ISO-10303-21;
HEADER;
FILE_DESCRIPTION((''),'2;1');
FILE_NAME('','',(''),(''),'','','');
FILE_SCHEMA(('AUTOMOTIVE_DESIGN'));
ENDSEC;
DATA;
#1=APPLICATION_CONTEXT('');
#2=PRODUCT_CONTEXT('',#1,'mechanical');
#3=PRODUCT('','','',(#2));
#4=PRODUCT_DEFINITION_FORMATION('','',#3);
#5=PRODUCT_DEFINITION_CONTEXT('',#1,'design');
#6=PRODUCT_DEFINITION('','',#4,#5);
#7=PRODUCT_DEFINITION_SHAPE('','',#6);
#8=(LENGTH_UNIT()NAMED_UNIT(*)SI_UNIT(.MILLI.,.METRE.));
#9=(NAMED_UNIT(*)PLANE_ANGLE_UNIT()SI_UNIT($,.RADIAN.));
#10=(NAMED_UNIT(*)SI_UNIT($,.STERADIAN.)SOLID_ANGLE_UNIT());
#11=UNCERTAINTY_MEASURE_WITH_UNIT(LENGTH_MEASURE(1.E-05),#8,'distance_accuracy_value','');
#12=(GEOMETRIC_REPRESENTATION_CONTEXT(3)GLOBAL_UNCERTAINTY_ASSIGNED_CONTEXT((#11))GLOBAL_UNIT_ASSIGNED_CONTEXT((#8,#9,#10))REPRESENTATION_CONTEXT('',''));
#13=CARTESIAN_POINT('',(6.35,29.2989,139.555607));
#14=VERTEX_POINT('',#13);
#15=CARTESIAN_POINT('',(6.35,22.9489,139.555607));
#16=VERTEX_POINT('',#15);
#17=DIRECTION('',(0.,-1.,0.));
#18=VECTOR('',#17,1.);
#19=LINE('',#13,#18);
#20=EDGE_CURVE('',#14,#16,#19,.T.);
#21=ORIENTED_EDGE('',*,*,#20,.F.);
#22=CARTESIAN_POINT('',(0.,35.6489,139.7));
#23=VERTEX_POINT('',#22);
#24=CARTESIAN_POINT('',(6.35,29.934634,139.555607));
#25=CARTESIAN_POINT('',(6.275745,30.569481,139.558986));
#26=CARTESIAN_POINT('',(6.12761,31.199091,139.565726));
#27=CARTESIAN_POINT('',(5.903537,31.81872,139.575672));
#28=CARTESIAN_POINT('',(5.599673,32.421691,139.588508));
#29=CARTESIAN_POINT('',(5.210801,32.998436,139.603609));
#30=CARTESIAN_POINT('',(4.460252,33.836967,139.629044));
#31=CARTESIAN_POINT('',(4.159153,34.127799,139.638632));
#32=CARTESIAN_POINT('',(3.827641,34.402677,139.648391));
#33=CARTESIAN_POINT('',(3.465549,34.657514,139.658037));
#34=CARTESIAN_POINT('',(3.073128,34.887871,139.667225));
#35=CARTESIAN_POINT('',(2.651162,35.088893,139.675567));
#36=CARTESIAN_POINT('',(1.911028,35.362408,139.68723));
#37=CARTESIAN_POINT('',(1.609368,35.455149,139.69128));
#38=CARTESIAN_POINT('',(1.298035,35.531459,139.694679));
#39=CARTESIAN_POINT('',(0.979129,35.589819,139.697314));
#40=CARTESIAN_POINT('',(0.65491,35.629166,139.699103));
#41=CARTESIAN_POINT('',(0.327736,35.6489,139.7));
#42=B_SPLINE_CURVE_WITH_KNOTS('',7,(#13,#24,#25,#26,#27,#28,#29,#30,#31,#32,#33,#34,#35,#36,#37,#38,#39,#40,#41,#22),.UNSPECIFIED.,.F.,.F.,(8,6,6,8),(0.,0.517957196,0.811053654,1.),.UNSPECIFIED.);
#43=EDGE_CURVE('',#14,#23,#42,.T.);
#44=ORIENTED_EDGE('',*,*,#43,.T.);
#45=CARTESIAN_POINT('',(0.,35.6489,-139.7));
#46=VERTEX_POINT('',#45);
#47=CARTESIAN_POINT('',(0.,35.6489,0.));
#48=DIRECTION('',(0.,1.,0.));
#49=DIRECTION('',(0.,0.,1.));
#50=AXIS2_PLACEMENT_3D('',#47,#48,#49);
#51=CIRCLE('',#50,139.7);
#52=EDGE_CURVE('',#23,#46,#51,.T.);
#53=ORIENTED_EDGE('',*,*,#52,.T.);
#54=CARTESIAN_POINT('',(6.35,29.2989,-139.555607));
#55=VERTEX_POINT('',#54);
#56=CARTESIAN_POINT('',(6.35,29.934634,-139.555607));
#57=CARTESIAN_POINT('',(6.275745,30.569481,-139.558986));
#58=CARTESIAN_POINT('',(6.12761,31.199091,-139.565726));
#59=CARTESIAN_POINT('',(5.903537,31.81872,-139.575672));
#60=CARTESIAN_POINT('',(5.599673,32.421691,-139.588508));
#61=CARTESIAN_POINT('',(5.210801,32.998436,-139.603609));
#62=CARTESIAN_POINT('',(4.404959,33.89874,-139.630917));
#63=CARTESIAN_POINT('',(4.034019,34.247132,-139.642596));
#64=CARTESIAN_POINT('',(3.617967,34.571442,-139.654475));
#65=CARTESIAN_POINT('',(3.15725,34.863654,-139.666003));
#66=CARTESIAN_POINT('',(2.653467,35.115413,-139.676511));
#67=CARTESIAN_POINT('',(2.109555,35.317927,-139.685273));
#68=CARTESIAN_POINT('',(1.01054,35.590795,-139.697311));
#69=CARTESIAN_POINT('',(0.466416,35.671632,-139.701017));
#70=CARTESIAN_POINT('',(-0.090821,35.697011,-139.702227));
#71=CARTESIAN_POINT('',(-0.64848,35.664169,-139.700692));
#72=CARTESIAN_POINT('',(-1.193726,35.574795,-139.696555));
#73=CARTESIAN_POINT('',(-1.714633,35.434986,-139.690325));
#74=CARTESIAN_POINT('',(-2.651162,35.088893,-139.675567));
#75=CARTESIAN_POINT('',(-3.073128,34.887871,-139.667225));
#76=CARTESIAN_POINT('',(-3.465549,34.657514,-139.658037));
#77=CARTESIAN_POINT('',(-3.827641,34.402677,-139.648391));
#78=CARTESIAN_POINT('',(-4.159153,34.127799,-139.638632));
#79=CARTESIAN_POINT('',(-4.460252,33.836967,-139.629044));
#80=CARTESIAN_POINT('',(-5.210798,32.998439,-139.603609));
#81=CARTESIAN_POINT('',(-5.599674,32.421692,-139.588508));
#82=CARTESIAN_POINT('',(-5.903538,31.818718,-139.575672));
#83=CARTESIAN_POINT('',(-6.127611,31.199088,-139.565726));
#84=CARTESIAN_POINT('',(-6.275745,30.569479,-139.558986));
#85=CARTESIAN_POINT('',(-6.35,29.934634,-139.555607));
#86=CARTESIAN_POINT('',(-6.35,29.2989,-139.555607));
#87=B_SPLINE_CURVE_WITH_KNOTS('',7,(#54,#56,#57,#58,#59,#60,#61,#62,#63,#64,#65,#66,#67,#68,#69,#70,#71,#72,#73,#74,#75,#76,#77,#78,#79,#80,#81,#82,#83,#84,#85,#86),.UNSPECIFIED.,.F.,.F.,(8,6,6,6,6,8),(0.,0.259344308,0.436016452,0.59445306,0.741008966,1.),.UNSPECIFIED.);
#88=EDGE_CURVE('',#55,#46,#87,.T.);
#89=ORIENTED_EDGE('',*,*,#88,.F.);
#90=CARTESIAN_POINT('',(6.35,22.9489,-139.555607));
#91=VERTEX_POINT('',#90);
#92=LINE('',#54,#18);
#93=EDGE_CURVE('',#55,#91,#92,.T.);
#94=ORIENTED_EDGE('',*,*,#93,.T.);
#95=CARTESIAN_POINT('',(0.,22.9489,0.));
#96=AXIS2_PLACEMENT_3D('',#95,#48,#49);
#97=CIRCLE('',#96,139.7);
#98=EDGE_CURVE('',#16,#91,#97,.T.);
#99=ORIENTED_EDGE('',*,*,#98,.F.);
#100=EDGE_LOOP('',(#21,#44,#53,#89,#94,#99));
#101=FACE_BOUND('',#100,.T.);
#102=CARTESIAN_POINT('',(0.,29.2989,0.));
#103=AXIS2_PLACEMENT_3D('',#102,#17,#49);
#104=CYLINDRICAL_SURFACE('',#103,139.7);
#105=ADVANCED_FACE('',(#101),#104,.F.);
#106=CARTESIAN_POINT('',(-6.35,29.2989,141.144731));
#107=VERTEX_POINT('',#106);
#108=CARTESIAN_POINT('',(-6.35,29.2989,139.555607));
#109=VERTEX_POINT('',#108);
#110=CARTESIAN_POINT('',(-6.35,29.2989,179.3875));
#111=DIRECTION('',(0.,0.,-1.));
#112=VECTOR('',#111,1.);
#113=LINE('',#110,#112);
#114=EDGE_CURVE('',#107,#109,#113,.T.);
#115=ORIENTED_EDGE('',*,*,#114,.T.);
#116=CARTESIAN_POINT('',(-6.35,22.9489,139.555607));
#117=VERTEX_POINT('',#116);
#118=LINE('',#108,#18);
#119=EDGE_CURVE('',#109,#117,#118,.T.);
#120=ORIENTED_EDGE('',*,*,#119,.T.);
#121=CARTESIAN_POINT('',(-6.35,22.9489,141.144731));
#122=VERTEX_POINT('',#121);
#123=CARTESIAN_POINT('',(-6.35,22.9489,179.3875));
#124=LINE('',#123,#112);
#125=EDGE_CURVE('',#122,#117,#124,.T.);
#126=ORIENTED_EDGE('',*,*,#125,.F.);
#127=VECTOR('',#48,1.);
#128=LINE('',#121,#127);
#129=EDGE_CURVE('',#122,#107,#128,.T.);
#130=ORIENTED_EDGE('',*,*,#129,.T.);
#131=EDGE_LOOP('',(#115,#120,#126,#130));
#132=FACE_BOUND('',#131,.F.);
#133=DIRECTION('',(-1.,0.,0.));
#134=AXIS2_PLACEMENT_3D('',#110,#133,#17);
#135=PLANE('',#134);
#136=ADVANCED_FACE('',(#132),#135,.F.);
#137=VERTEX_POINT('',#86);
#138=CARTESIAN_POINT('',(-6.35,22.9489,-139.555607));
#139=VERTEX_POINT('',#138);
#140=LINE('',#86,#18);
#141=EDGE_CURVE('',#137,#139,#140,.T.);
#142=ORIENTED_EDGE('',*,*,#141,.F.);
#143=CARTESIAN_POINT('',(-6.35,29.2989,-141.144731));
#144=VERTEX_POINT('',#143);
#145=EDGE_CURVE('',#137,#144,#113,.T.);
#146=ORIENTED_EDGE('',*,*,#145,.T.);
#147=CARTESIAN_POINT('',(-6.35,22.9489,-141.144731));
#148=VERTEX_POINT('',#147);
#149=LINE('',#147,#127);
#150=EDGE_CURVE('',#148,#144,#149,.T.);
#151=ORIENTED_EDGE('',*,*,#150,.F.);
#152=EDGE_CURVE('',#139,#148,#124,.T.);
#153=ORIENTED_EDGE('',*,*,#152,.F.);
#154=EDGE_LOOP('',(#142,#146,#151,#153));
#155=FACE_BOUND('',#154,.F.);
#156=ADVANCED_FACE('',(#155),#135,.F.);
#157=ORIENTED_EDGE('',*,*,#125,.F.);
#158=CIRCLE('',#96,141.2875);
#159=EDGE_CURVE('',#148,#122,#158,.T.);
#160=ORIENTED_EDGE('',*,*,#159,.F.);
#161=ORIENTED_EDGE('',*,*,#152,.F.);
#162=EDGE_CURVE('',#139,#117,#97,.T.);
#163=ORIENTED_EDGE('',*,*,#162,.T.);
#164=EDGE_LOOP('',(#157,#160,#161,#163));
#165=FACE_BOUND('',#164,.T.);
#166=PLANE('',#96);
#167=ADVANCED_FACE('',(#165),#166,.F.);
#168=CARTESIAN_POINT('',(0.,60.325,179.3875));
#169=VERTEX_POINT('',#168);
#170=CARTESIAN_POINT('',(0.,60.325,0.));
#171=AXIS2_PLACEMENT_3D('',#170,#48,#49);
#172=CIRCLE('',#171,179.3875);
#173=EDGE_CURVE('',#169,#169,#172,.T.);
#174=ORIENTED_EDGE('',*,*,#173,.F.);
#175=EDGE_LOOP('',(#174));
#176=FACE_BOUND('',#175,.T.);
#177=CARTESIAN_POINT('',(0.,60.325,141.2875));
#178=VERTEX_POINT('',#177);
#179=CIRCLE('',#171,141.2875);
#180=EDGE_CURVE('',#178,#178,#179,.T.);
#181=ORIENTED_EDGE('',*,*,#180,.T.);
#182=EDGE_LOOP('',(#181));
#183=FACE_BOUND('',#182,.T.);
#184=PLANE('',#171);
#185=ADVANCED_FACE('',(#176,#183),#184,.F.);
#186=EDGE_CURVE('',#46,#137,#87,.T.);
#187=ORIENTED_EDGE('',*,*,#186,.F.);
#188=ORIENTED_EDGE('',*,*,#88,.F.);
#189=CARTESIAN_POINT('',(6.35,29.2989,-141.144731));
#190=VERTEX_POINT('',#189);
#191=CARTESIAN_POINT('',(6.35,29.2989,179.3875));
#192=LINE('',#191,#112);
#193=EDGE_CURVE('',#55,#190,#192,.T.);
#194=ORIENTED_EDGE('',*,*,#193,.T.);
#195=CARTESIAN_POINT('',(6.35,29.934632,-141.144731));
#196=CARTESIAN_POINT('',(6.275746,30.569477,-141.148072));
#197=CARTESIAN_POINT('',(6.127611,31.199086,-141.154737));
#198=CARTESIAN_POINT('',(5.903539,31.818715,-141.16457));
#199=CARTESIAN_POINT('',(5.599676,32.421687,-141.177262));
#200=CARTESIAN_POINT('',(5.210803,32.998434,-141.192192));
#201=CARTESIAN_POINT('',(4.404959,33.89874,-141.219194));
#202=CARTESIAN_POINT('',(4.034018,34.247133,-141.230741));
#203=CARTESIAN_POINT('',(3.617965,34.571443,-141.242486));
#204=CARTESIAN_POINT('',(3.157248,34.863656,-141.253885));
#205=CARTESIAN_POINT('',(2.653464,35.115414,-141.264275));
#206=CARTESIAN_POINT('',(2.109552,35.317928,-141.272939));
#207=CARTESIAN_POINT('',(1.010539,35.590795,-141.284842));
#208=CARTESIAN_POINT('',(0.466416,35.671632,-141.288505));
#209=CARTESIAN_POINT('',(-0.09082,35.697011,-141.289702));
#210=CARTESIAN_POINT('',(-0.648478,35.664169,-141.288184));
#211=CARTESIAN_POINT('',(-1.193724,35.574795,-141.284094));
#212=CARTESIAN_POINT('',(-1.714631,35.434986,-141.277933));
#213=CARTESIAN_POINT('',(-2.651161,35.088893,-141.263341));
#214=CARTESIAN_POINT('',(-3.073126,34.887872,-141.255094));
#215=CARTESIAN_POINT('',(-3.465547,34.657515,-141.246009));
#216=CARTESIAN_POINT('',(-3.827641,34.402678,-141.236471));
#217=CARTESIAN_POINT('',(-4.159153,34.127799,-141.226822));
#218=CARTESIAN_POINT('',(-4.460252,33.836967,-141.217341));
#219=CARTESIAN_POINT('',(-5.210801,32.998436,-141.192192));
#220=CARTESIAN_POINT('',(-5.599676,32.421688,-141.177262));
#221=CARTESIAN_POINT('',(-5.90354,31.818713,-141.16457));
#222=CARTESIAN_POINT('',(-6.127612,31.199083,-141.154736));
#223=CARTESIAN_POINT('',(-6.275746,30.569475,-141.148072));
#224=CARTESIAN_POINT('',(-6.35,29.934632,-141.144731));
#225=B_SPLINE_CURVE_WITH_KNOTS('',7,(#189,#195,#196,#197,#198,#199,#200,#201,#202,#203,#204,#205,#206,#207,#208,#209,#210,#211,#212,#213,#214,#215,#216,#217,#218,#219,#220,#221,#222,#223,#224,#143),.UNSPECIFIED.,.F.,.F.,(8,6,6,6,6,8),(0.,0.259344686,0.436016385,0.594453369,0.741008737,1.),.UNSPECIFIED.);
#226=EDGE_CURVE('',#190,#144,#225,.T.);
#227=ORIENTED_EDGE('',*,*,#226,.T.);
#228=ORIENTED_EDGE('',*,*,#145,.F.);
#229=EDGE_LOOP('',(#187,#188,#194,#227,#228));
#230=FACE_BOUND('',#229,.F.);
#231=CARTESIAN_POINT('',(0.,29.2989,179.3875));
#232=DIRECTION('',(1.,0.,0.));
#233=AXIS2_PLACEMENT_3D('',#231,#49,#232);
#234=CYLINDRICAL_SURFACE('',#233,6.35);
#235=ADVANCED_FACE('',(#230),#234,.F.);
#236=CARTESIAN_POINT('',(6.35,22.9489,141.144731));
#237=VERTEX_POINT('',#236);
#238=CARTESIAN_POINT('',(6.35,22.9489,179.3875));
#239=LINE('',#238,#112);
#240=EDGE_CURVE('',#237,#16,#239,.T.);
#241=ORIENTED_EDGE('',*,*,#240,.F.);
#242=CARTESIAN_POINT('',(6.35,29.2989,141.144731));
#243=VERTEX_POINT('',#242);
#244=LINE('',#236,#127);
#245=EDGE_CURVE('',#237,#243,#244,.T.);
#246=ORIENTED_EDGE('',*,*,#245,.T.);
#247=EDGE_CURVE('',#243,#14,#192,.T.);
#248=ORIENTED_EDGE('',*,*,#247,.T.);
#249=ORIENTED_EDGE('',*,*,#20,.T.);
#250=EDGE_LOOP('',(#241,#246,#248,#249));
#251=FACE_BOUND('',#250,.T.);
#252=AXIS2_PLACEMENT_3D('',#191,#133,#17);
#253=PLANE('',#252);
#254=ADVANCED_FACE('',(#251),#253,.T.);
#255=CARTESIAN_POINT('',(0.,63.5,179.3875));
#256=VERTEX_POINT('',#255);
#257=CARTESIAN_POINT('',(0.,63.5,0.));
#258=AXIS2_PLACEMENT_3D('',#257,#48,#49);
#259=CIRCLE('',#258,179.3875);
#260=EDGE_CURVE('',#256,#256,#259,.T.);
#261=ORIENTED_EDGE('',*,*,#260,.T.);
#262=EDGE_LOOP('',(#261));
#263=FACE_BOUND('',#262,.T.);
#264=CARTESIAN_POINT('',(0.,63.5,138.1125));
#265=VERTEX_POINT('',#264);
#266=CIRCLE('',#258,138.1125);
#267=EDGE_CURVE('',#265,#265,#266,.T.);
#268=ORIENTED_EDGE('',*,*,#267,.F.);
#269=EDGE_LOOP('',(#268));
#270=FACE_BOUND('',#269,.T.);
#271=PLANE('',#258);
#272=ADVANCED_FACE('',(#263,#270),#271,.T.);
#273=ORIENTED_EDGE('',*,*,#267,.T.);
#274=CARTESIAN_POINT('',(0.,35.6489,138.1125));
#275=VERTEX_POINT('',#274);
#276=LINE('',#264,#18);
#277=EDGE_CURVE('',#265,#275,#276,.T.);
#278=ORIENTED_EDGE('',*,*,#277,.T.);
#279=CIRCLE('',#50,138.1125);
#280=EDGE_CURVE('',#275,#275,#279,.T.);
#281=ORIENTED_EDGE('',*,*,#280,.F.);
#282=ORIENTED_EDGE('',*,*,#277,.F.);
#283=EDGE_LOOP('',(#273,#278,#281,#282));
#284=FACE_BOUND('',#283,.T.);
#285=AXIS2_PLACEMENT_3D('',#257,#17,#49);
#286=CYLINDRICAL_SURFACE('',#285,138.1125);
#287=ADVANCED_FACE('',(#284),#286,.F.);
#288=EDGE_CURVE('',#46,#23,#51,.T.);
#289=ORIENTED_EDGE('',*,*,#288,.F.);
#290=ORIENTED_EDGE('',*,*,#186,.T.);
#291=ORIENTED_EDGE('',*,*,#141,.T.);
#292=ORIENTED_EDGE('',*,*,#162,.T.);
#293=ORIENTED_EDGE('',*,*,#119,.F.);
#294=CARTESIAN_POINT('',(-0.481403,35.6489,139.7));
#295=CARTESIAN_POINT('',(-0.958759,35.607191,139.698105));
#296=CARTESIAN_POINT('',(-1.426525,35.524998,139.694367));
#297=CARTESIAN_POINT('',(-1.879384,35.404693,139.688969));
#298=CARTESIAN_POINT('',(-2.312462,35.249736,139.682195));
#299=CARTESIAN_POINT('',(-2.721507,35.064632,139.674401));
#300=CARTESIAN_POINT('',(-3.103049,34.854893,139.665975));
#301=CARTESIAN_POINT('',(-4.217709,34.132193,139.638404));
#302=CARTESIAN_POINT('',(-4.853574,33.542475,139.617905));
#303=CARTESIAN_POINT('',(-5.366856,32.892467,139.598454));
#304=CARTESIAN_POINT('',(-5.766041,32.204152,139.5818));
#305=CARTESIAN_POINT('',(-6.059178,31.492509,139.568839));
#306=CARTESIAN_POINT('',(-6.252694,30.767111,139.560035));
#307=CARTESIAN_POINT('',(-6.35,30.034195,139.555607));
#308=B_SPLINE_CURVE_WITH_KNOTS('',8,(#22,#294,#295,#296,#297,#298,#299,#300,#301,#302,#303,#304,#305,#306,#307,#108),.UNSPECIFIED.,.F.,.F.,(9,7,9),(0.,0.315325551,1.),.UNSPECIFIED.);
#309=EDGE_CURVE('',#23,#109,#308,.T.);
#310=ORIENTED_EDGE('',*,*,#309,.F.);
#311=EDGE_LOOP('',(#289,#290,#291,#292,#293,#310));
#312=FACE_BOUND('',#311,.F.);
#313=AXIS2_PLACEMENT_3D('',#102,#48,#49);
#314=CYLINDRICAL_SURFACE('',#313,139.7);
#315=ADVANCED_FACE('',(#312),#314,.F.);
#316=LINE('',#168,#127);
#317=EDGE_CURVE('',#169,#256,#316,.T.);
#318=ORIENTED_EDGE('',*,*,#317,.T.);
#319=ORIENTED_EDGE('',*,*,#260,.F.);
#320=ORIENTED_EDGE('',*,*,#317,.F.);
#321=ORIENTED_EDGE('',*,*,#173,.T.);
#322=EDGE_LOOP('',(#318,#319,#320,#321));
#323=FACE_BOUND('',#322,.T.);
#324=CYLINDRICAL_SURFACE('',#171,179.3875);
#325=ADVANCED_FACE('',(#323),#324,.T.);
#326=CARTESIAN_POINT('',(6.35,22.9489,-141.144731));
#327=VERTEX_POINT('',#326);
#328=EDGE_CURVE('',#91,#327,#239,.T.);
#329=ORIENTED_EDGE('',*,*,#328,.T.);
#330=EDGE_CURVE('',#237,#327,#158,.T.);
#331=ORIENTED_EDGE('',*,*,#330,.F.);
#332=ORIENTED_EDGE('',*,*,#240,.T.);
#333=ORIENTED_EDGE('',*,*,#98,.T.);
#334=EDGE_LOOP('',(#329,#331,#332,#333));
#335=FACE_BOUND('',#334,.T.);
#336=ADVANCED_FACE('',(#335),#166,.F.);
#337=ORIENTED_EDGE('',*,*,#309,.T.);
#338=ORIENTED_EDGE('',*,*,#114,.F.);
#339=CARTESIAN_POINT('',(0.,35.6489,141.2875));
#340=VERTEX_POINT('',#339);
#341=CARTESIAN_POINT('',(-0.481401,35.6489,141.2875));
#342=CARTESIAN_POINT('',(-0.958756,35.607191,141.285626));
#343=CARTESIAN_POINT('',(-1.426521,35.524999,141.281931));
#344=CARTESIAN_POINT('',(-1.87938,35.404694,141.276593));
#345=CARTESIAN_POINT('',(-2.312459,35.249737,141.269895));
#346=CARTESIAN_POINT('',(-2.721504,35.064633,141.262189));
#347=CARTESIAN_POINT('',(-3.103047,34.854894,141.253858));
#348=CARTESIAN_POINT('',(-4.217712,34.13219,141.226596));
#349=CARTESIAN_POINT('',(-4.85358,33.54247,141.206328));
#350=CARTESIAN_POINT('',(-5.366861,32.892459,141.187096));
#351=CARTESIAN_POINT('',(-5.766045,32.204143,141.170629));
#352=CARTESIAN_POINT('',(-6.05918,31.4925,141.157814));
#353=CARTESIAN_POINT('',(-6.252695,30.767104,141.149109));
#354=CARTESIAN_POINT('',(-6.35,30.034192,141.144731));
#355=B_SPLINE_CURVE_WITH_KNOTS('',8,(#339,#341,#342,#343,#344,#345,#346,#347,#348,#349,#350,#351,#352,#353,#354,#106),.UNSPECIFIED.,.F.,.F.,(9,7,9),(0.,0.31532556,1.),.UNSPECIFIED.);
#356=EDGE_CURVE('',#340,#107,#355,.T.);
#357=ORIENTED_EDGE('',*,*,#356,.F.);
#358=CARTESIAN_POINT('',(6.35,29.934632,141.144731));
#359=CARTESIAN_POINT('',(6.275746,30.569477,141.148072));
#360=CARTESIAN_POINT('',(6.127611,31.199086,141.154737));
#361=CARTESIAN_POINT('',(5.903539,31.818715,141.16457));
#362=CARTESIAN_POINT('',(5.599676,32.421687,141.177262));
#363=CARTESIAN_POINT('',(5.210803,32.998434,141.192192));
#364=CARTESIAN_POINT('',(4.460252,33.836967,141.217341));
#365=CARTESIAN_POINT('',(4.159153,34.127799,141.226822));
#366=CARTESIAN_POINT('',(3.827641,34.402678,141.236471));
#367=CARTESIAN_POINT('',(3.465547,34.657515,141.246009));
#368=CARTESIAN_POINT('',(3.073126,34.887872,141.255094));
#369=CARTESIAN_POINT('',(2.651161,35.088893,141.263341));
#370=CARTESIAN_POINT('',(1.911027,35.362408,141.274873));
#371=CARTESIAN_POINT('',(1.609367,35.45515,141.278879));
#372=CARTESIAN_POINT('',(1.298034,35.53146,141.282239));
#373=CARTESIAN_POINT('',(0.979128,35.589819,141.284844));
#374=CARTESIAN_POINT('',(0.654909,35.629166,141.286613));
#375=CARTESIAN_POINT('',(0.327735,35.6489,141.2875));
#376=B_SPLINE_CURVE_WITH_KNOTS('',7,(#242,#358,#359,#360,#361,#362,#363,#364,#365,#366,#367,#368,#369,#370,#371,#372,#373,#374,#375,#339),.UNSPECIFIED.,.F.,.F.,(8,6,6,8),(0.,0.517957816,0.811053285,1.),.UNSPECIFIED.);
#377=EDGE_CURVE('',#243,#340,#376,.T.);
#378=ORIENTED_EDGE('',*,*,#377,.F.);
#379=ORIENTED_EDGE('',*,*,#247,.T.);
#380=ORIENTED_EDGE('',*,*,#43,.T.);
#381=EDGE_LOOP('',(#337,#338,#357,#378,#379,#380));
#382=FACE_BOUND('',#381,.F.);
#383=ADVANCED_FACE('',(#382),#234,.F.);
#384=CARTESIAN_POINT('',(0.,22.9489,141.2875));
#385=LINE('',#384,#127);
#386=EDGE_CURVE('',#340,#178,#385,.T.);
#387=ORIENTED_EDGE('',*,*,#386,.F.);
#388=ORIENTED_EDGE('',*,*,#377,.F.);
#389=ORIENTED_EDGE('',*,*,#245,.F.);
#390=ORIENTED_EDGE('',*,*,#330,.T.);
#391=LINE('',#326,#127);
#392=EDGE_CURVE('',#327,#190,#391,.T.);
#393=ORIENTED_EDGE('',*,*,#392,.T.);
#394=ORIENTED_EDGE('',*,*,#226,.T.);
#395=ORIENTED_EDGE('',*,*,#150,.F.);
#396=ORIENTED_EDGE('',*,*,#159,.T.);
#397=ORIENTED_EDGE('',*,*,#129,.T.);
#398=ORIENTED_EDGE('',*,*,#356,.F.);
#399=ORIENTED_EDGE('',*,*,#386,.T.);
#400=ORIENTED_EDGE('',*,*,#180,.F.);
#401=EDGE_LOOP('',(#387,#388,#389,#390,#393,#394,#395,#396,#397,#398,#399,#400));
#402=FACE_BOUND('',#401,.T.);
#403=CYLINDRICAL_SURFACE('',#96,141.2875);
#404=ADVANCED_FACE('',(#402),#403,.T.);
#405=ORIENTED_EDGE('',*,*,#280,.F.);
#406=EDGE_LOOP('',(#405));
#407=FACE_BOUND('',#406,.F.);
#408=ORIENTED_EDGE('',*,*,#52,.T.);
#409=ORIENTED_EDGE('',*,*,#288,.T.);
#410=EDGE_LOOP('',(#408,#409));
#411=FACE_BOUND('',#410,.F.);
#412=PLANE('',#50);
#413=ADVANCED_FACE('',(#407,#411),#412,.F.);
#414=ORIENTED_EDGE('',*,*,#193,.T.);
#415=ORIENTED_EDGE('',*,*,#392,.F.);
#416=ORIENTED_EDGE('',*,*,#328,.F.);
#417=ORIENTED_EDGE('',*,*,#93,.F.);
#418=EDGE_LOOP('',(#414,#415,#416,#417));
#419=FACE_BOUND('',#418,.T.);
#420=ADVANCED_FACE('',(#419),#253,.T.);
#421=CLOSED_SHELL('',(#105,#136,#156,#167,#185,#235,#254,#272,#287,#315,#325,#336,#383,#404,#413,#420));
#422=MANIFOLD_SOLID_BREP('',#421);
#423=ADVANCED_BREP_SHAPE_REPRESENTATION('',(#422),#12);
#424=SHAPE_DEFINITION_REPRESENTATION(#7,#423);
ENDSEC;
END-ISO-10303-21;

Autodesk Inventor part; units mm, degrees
ref_plane "YZ Plane" through (0, 0, 0) normal (1, 0, 0) x (0, 1, 0)
ref_plane "XZ Plane" through (0, 0, 0) normal (0, 1, 0) x (-1, 0, 0)
ref_plane "XY Plane" through (0, 0, 0) normal (0, 0, 1) x (1, 0, 0)
sketch "Sketch1" plane through (0, 0, 0) normal (1, 0, 0) x (0, 1, 0)
  line L0 (0, 0) -> (50.8, 0)
  line L1 (0, 138.1125) -> (26.719, 138.1125)
  line L2 (0, 138.1125) -> (0, 169.8625)
  line L3 (0, 169.8625) -> (3.175, 169.8625)
  line L4 (3.175, 169.8625) -> (3.175, 141.2875)
  line L5 (22.9489, 141.2875) -> (60.325, 141.2875)
  line L6 (60.325, 141.2875) -> (60.325, 179.3875)
  line L7 (60.325, 179.3875) -> (63.5, 179.3875)
  line L8 (63.5, 179.3875) -> (63.5, 138.1125)
  line L9 (63.5, 138.1125) -> (35.6489, 138.1125)
  line L10 (29.2989, 139.7) -> (22.9489, 139.7)
  line L11 (22.9489, 139.7) -> (22.9489, 141.2875)
  line L12 (29.2989, 139.7) -> (35.6489, 139.7)
  line L13 (35.6489, 139.7) -> (35.6489, 138.1125)
  line L14 (29.2989, 164.2178) -> (29.2989, 141.2875)
  point P0 (62.1333, 179.3875)
  dimension "d0" = 50.8
  dimension "d1" = 138.1125
  dimension "d2" = 31.75
  dimension "d3" = 3.175
  dimension "d4" = 3.175
  dimension "d5" = 57.15
  dimension "d6" = 38.1
  dimension "d7" = 3.175
  dimension "d13" = 26.1239
  dimension "d14" = 1.5875
  dimension "d15" = 6.35
  dimension "d16" = 6.35
revolve "Revolution1" add sketch "Sketch1" angle 360 about axis through (0, 0, 0) along (0, 1, 0)
ref_plane "Work Plane1" through (0, 62.1333, 179.3875) normal (0, 0, 1) x (1, 0, 0)
sketch "Sketch2" plane through (0, 62.1333, 179.3875) normal (0, 0, 1) x (1, 0, 0)
  arc A0 (6.35, -32.8344) -> (-6.35, -32.8344) centre (0, -32.8344) ccw
  line L0 (169.8625, -58.9583) -> (-169.8625, -58.9583) projected
  line L1 (-6.35, -32.8344) -> (-6.35, -39.1844)
  line L2 (141.2875, -39.1844) -> (-141.2875, -39.1844) projected
  line L3 (6.35, -32.8344) -> (6.35, -39.1844)
  line L4 (-6.35, -39.1844) -> (6.35, -39.1844)
  point P0 (0, -62.1333)
  dimension "d9" = 12.7
  dimension "d10" = 26.1239
extrude "Extrusion1" cut sketch "Sketch2" against normal through all
properties part number "Layer2_Top"
